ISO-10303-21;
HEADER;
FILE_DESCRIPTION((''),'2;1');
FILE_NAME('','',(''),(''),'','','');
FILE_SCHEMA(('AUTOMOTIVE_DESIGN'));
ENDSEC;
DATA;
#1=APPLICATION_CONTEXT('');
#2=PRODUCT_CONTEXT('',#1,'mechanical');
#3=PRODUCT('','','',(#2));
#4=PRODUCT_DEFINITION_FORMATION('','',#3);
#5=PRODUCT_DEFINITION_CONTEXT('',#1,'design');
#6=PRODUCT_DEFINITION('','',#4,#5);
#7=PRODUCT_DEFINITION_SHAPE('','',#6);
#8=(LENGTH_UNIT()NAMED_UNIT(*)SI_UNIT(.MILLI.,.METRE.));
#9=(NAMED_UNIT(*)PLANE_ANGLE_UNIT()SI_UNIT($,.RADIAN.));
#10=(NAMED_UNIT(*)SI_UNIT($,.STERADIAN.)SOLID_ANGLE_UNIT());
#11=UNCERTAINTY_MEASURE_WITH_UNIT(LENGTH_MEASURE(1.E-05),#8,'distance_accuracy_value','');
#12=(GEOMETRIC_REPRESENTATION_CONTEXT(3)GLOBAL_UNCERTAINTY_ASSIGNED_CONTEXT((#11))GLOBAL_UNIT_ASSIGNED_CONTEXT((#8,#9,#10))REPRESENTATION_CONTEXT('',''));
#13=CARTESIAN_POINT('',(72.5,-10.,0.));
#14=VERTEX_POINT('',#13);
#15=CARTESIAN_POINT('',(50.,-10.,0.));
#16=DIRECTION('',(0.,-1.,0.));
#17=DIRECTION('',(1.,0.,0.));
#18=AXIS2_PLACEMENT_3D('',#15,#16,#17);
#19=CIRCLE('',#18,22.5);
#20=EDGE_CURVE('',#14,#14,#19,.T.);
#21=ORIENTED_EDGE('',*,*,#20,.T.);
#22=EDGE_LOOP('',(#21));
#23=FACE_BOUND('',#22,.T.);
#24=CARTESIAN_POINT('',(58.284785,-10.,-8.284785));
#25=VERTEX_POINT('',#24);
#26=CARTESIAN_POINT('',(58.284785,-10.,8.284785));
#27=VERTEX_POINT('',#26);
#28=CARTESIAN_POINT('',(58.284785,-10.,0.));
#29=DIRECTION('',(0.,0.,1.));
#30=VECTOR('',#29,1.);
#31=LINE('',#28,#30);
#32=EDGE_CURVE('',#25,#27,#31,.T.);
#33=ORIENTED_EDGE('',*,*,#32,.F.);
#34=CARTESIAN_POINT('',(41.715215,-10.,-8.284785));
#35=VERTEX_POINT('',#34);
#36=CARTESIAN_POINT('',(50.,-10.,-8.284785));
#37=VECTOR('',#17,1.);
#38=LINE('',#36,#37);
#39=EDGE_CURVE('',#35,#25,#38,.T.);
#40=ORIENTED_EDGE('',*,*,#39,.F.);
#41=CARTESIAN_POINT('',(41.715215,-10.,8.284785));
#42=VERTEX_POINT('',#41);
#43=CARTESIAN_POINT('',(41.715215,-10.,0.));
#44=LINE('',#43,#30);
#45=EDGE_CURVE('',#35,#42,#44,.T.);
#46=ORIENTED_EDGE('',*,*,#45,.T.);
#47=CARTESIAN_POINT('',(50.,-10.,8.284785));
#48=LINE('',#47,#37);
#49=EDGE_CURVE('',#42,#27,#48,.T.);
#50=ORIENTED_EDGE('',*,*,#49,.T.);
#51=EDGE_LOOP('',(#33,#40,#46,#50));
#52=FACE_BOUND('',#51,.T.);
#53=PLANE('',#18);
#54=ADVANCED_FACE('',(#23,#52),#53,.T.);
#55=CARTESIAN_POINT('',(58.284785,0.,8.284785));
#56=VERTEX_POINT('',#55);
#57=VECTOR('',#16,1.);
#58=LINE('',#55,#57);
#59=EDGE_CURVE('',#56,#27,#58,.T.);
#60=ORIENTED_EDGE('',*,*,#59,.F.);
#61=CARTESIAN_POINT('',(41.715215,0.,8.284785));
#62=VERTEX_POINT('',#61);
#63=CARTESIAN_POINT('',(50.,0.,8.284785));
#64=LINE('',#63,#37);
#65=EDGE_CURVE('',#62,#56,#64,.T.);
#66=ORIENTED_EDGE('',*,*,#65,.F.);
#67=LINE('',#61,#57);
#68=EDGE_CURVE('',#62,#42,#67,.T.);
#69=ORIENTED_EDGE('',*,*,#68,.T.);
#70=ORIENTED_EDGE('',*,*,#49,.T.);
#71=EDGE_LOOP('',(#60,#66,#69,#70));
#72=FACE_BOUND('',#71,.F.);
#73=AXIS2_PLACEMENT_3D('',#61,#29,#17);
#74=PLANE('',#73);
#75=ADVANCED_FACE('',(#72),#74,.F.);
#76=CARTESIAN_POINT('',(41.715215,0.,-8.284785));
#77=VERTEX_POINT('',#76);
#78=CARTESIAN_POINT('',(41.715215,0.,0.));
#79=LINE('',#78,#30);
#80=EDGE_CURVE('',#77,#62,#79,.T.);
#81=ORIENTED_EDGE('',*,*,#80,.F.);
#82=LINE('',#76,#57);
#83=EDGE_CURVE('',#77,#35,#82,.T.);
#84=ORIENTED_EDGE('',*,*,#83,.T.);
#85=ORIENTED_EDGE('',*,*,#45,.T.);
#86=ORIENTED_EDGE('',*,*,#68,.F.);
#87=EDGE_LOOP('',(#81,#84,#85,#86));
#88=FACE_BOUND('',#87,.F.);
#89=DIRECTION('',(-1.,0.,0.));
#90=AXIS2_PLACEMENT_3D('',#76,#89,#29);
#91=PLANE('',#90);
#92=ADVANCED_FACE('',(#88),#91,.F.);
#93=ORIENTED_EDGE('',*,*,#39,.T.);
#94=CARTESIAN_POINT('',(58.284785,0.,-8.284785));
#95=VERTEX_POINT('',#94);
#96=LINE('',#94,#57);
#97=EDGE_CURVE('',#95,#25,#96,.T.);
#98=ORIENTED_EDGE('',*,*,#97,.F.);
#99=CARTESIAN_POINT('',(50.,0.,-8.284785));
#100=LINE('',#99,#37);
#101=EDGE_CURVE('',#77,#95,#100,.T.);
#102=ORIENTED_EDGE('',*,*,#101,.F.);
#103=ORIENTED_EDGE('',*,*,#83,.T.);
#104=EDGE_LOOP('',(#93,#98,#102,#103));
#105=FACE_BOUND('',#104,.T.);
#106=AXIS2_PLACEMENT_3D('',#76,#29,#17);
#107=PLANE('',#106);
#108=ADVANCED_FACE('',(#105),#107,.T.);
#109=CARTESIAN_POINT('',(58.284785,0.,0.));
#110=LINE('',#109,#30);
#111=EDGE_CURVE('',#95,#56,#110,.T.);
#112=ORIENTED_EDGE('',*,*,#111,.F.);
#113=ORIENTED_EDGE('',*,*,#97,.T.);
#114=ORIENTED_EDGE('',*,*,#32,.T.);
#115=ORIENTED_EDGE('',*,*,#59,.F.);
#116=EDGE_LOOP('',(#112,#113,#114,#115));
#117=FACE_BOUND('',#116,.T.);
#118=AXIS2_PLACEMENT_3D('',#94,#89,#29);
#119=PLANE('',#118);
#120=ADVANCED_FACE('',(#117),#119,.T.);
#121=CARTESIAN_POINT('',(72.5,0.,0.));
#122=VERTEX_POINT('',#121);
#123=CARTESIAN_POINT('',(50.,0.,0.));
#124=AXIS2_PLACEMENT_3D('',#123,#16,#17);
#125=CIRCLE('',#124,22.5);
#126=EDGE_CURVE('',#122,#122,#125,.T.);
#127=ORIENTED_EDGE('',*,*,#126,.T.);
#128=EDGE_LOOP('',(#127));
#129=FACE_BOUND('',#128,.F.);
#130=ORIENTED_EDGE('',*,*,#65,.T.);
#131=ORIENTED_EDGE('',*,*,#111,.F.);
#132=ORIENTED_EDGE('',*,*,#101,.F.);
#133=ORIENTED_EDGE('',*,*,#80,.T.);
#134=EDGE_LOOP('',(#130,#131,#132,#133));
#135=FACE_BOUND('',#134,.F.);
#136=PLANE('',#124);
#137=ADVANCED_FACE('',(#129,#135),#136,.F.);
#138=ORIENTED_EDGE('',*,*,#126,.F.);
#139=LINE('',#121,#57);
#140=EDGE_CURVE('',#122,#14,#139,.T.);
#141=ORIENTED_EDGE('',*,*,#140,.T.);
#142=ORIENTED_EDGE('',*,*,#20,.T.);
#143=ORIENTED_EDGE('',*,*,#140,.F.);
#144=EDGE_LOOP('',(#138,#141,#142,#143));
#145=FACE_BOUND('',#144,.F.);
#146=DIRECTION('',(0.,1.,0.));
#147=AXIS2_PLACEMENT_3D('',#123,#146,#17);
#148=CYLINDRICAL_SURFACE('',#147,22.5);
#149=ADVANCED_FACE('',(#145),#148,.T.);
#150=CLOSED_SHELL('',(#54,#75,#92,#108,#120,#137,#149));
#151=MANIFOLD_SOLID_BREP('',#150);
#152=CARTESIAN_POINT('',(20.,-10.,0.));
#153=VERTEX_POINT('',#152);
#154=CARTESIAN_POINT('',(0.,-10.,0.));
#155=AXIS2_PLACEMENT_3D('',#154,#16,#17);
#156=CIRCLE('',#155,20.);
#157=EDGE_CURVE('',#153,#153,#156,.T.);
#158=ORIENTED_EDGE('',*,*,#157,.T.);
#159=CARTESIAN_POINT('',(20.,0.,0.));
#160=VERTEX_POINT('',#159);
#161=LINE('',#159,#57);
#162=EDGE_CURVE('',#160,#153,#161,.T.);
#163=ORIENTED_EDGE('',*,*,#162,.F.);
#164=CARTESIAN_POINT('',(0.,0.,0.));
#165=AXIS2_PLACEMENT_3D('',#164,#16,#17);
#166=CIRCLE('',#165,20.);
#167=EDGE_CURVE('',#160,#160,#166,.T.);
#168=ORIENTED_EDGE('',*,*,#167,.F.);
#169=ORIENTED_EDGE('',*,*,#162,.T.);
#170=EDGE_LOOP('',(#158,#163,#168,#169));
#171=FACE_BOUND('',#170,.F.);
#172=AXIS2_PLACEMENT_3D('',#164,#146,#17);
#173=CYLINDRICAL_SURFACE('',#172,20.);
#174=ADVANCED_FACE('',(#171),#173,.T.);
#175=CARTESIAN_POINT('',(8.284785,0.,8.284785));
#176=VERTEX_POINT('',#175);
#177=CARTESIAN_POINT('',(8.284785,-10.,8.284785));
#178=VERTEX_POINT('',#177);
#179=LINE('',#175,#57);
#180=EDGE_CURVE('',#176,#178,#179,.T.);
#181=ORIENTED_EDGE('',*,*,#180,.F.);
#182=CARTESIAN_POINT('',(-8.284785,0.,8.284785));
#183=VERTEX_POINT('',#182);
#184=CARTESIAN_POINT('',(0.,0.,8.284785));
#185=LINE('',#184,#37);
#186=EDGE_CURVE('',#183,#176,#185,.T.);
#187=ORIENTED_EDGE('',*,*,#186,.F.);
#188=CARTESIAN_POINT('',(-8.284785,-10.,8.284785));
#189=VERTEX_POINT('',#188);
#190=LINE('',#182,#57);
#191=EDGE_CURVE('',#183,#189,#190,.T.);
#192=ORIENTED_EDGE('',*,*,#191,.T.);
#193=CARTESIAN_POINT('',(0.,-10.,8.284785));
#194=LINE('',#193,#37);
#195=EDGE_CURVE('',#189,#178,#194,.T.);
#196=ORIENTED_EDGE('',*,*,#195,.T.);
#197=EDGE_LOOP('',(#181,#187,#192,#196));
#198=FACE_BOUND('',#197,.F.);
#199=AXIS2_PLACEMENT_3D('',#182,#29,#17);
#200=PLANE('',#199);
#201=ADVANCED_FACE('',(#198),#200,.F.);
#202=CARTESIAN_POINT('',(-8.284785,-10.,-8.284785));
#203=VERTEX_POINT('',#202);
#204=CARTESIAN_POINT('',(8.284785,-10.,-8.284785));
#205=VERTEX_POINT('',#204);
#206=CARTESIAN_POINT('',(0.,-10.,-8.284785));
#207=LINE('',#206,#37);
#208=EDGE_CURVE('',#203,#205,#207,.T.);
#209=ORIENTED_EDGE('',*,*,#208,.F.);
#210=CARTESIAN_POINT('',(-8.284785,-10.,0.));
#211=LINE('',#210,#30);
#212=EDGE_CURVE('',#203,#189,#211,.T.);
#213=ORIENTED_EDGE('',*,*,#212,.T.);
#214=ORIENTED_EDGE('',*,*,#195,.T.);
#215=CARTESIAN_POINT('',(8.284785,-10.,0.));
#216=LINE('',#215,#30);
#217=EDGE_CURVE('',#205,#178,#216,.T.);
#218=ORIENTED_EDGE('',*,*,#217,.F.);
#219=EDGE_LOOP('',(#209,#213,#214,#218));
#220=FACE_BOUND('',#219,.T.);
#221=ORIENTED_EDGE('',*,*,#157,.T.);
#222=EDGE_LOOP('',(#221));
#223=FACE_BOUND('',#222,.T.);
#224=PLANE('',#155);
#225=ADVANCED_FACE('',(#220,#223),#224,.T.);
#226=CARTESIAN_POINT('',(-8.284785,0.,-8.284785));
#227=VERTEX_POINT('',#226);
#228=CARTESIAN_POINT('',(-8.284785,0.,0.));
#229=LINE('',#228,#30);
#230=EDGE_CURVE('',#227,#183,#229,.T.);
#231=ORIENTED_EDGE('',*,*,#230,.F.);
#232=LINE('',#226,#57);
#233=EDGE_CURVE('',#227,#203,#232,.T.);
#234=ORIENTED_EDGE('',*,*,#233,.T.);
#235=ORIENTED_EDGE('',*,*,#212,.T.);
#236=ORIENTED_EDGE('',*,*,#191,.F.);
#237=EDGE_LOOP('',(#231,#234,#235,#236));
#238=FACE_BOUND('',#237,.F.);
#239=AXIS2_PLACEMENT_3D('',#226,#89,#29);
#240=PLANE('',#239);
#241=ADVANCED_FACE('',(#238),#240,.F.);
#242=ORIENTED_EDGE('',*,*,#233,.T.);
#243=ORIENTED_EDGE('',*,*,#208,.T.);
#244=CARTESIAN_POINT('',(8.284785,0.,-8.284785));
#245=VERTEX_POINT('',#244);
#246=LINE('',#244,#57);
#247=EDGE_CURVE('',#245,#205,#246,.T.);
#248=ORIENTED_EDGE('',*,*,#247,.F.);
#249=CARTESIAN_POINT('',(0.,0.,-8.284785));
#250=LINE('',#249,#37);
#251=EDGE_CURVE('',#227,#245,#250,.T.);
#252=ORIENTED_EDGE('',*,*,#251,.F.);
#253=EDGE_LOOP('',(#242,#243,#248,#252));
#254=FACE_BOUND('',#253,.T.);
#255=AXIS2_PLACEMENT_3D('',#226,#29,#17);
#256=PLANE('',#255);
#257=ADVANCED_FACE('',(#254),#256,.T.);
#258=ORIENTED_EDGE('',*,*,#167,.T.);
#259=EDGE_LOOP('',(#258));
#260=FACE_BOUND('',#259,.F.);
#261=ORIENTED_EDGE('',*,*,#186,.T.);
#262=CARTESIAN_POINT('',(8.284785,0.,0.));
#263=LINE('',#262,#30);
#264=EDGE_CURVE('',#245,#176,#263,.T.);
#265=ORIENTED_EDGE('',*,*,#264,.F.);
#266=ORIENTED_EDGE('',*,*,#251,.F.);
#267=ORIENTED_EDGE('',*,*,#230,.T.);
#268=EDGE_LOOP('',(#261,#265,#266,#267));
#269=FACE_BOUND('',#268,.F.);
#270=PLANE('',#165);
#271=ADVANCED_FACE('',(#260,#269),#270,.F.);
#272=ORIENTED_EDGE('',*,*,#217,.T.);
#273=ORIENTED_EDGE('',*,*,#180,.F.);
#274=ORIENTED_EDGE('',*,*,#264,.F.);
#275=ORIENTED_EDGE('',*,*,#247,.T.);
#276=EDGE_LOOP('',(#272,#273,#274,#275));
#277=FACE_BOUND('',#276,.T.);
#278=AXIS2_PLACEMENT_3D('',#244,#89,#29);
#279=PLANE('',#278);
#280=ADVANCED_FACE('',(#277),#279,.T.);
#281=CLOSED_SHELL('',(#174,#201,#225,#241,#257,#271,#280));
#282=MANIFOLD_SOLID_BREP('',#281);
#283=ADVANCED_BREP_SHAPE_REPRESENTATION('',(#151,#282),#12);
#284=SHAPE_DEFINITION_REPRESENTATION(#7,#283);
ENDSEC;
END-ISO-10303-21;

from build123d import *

# Parameters (mm, degrees)
F0_R     = 20
F0_W     = 16.56957
F0_H     = 16.56957
F0_R_2   = 22.5
F1_DEPTH = 10


with BuildPart() as f1:
    # F0 (on Front) → F1 (new body)
    with BuildSketch(Plane.XZ):
        Circle(F0_R)
        Rectangle(F0_W, F0_H, mode=Mode.SUBTRACT)
        with Locations((50, 0)):
            Circle(F0_R_2)
        with Locations((50, 0)):
            Rectangle(F0_W, F0_H, mode=Mode.SUBTRACT)
    extrude(amount=F1_DEPTH)


solid = f1.part
